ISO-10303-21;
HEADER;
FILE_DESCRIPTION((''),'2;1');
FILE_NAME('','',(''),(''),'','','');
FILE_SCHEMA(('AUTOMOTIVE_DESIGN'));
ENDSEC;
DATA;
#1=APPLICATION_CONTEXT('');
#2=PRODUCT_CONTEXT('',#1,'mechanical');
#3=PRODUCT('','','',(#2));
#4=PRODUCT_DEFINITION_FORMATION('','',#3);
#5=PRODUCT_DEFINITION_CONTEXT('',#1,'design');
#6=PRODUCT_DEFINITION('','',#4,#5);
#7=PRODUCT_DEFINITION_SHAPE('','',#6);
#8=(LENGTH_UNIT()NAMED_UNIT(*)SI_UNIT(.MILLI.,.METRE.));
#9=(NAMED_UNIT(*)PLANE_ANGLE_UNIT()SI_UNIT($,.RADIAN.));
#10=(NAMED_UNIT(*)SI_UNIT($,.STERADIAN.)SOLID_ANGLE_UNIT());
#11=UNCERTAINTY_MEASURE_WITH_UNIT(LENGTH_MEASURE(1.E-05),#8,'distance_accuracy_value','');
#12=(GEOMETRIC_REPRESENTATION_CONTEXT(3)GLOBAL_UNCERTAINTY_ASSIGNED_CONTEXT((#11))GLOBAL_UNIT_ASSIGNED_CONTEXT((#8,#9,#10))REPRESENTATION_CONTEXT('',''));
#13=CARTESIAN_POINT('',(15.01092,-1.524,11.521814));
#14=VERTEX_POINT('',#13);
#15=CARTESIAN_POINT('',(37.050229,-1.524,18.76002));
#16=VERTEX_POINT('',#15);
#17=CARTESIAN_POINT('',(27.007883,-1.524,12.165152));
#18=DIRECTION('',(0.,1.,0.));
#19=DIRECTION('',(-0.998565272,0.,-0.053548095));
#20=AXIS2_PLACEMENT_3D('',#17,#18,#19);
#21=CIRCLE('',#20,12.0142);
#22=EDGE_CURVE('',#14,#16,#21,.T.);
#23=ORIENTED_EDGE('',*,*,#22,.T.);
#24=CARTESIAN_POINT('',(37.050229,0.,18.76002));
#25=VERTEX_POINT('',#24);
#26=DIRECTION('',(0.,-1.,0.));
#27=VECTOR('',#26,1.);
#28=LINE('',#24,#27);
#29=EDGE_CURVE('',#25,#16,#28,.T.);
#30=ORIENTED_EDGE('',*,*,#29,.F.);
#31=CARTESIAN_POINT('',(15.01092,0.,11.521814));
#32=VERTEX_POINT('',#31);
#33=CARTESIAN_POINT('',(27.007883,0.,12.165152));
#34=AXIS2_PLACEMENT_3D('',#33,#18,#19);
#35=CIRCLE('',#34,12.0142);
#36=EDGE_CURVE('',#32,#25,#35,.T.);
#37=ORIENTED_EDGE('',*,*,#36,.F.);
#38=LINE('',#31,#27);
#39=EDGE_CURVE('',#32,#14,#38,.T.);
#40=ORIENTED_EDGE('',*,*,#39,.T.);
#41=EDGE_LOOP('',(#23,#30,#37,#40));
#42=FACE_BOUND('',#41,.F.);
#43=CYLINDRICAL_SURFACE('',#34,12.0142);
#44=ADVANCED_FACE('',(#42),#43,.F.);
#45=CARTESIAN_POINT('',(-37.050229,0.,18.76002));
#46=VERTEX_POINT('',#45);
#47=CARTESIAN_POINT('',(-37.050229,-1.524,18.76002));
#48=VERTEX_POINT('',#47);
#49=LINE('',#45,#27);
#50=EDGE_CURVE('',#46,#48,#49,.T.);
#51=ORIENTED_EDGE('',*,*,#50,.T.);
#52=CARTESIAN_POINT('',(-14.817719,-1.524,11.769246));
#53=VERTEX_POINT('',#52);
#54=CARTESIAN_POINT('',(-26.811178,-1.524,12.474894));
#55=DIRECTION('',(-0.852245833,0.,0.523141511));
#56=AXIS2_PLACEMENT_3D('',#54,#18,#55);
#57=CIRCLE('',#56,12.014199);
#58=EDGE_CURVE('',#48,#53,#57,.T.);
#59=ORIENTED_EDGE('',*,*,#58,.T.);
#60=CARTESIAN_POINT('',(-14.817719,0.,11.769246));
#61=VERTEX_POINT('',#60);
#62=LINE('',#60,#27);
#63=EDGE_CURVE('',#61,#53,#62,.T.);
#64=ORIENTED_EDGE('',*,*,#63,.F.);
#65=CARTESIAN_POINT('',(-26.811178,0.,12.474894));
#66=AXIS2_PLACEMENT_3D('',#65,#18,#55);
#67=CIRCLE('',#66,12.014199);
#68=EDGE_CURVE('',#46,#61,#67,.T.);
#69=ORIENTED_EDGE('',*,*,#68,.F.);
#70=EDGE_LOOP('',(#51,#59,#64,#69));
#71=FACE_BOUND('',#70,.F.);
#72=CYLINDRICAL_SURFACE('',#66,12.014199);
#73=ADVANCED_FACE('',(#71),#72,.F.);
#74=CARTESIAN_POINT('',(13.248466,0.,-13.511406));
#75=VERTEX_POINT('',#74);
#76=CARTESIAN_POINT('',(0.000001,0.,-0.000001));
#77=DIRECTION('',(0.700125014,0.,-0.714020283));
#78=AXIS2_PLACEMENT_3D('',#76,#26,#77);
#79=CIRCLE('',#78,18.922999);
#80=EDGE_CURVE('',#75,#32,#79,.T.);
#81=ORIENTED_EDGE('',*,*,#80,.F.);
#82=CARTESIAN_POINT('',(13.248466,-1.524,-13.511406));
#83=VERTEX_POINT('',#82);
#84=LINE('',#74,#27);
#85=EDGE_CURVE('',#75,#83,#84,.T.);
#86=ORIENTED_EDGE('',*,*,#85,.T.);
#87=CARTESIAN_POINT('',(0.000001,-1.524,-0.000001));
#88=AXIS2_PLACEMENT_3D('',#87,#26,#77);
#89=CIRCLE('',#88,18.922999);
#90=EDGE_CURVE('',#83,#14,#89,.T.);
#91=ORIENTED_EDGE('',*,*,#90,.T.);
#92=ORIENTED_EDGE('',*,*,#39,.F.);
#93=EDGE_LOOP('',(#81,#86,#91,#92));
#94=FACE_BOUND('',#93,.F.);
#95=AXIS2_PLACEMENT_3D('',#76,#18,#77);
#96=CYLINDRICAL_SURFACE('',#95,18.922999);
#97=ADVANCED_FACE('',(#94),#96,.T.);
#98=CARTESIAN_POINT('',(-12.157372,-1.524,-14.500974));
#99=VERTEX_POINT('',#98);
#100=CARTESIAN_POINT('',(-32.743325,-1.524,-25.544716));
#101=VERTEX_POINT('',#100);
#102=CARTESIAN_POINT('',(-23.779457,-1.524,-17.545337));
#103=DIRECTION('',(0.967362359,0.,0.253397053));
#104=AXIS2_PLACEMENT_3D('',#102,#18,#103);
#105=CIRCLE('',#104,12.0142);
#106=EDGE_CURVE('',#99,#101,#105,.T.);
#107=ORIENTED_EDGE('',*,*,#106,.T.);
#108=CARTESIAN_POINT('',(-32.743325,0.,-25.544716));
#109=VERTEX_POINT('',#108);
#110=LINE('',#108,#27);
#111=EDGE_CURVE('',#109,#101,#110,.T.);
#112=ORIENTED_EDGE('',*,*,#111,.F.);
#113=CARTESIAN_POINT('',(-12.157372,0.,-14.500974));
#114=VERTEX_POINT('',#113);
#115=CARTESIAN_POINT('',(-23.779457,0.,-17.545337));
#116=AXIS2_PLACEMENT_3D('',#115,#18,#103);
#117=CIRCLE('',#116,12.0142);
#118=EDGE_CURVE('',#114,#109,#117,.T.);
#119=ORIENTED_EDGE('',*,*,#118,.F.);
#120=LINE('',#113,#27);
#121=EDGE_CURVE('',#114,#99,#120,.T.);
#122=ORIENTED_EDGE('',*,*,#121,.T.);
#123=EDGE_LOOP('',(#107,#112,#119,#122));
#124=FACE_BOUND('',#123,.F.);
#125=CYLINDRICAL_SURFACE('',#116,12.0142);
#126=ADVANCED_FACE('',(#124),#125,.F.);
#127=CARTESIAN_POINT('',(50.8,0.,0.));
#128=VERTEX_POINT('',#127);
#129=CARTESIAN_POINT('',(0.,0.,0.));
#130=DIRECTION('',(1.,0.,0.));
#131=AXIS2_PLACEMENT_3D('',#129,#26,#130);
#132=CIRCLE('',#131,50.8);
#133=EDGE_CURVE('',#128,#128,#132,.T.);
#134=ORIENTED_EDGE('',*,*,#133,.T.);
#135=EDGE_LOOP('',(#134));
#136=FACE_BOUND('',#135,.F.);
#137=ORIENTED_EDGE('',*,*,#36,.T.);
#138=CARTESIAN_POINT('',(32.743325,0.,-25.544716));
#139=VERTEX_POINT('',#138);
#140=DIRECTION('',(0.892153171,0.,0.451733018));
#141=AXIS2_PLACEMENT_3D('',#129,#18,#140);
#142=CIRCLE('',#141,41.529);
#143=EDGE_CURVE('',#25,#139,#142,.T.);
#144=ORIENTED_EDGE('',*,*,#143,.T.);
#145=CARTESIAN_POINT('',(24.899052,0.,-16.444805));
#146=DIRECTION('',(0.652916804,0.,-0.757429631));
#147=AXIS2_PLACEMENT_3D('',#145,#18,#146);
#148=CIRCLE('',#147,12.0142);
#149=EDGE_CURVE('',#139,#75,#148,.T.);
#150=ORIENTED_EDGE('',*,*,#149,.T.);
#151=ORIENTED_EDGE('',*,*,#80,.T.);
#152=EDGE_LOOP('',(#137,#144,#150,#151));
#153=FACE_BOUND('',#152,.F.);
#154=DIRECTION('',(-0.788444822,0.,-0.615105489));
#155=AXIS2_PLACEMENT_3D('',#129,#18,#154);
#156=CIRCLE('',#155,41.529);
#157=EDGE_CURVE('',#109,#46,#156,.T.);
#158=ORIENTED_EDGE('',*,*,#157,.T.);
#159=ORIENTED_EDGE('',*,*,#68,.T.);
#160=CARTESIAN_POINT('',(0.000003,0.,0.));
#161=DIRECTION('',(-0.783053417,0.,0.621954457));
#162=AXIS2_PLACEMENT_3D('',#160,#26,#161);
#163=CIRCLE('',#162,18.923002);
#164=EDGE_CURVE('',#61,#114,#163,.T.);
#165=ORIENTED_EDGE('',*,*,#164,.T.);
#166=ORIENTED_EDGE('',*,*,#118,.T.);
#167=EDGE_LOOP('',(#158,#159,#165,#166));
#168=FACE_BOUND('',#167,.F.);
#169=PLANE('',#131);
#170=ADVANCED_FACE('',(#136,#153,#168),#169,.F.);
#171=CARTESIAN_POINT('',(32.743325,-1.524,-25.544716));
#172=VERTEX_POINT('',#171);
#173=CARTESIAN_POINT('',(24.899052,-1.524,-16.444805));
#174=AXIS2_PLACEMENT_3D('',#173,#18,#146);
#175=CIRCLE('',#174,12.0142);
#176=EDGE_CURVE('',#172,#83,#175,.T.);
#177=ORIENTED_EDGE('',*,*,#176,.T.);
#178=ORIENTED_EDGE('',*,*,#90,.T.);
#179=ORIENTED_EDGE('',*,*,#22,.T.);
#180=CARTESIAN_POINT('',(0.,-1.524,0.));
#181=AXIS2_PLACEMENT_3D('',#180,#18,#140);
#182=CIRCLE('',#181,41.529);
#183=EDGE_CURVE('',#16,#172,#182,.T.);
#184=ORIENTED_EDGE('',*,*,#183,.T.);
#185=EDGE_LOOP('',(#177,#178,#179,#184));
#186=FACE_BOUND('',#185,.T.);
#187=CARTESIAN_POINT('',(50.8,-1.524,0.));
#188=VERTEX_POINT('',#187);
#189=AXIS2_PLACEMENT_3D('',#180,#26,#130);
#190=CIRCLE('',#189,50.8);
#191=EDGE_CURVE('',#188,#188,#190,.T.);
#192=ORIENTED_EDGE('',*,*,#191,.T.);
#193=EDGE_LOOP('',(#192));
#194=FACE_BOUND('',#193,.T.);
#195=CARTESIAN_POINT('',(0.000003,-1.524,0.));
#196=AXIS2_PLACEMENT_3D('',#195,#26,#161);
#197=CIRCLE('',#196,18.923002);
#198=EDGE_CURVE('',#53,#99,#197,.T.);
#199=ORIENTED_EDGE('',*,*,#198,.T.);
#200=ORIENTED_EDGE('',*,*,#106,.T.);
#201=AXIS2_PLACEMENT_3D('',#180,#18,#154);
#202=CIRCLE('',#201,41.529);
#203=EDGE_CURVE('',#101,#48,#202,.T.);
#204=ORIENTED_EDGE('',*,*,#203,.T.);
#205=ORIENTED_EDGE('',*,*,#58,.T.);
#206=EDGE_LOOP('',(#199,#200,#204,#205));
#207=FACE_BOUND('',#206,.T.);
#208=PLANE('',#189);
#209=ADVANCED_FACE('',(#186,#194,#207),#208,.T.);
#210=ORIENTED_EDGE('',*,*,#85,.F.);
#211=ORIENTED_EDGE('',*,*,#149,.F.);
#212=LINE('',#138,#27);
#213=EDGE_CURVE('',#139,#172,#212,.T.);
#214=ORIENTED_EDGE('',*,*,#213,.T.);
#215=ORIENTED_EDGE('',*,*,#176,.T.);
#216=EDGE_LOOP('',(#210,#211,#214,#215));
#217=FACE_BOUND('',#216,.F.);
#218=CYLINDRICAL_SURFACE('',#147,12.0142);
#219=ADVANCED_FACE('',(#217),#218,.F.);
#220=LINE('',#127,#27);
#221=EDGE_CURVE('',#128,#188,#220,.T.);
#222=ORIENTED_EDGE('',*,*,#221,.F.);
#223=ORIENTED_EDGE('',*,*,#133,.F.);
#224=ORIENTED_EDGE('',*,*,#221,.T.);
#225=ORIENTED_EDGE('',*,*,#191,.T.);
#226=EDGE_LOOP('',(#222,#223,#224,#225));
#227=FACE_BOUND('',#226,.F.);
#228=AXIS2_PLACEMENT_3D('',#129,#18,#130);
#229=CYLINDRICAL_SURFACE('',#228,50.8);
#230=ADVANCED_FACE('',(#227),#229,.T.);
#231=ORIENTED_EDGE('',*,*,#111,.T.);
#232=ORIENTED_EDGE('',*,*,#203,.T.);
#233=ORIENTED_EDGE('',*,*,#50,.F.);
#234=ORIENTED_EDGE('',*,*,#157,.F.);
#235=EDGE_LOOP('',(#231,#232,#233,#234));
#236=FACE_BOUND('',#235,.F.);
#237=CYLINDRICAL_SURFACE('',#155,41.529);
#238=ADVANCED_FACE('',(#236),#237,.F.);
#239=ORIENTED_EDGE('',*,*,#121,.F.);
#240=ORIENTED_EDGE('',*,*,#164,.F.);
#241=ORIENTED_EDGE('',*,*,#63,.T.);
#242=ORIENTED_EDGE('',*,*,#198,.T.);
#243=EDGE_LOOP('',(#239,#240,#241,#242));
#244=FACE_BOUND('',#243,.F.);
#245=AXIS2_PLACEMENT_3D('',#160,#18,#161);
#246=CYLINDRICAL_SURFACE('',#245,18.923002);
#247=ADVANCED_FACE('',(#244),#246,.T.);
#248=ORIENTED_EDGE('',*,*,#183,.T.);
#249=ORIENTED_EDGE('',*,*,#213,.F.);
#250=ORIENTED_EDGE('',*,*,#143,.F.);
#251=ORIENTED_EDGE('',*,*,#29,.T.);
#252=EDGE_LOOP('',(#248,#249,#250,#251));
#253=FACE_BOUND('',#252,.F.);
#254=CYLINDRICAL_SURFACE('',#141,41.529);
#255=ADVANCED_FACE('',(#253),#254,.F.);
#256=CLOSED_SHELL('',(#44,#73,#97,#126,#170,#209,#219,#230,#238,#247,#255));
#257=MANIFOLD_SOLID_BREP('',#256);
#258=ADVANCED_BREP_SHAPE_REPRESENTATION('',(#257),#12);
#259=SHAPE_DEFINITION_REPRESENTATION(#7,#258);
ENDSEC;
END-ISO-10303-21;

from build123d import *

# Parameters (mm, degrees)
F0_R     = 50.8
F1_DEPTH = 1.524


with BuildPart() as f1:
    # F0 (on Front) → F1 (new body)
    with BuildSketch(Plane.XZ):
        Circle(F0_R)
        with BuildLine():
            ThreePointArc((-32.743325, -25.544716), (-41.334156, -4.018132), (-37.050229, 18.76002))
            ThreePointArc((-37.050229, 18.76002), (-23.2074, 23.935861), (-14.817719, 11.769246))
            ThreePointArc((-14.817719, 11.769246), (-18.826709, -1.906553), (-12.157372, -14.500974))
            ThreePointArc((-12.157372, -14.500974), (-18.09988, -28.132282), (-32.743325, -25.544716))
        make_face(mode=Mode.SUBTRACT)
        with BuildLine():
            ThreePointArc((32.743325, -25.544716), (18.588573, -26.668251), (13.248466, -13.511406))
            ThreePointArc((13.248466, -13.511406), (18.876275, -1.328977), (15.01092, 11.521814))
            ThreePointArc((15.01092, 11.521814), (23.259145, 23.579527), (37.050229, 18.76002))
            ThreePointArc((37.050229, 18.76002), (41.334156, -4.018132), (32.743325, -25.544716))
        make_face(mode=Mode.SUBTRACT)
    extrude(amount=F1_DEPTH)


solid = f1.part
